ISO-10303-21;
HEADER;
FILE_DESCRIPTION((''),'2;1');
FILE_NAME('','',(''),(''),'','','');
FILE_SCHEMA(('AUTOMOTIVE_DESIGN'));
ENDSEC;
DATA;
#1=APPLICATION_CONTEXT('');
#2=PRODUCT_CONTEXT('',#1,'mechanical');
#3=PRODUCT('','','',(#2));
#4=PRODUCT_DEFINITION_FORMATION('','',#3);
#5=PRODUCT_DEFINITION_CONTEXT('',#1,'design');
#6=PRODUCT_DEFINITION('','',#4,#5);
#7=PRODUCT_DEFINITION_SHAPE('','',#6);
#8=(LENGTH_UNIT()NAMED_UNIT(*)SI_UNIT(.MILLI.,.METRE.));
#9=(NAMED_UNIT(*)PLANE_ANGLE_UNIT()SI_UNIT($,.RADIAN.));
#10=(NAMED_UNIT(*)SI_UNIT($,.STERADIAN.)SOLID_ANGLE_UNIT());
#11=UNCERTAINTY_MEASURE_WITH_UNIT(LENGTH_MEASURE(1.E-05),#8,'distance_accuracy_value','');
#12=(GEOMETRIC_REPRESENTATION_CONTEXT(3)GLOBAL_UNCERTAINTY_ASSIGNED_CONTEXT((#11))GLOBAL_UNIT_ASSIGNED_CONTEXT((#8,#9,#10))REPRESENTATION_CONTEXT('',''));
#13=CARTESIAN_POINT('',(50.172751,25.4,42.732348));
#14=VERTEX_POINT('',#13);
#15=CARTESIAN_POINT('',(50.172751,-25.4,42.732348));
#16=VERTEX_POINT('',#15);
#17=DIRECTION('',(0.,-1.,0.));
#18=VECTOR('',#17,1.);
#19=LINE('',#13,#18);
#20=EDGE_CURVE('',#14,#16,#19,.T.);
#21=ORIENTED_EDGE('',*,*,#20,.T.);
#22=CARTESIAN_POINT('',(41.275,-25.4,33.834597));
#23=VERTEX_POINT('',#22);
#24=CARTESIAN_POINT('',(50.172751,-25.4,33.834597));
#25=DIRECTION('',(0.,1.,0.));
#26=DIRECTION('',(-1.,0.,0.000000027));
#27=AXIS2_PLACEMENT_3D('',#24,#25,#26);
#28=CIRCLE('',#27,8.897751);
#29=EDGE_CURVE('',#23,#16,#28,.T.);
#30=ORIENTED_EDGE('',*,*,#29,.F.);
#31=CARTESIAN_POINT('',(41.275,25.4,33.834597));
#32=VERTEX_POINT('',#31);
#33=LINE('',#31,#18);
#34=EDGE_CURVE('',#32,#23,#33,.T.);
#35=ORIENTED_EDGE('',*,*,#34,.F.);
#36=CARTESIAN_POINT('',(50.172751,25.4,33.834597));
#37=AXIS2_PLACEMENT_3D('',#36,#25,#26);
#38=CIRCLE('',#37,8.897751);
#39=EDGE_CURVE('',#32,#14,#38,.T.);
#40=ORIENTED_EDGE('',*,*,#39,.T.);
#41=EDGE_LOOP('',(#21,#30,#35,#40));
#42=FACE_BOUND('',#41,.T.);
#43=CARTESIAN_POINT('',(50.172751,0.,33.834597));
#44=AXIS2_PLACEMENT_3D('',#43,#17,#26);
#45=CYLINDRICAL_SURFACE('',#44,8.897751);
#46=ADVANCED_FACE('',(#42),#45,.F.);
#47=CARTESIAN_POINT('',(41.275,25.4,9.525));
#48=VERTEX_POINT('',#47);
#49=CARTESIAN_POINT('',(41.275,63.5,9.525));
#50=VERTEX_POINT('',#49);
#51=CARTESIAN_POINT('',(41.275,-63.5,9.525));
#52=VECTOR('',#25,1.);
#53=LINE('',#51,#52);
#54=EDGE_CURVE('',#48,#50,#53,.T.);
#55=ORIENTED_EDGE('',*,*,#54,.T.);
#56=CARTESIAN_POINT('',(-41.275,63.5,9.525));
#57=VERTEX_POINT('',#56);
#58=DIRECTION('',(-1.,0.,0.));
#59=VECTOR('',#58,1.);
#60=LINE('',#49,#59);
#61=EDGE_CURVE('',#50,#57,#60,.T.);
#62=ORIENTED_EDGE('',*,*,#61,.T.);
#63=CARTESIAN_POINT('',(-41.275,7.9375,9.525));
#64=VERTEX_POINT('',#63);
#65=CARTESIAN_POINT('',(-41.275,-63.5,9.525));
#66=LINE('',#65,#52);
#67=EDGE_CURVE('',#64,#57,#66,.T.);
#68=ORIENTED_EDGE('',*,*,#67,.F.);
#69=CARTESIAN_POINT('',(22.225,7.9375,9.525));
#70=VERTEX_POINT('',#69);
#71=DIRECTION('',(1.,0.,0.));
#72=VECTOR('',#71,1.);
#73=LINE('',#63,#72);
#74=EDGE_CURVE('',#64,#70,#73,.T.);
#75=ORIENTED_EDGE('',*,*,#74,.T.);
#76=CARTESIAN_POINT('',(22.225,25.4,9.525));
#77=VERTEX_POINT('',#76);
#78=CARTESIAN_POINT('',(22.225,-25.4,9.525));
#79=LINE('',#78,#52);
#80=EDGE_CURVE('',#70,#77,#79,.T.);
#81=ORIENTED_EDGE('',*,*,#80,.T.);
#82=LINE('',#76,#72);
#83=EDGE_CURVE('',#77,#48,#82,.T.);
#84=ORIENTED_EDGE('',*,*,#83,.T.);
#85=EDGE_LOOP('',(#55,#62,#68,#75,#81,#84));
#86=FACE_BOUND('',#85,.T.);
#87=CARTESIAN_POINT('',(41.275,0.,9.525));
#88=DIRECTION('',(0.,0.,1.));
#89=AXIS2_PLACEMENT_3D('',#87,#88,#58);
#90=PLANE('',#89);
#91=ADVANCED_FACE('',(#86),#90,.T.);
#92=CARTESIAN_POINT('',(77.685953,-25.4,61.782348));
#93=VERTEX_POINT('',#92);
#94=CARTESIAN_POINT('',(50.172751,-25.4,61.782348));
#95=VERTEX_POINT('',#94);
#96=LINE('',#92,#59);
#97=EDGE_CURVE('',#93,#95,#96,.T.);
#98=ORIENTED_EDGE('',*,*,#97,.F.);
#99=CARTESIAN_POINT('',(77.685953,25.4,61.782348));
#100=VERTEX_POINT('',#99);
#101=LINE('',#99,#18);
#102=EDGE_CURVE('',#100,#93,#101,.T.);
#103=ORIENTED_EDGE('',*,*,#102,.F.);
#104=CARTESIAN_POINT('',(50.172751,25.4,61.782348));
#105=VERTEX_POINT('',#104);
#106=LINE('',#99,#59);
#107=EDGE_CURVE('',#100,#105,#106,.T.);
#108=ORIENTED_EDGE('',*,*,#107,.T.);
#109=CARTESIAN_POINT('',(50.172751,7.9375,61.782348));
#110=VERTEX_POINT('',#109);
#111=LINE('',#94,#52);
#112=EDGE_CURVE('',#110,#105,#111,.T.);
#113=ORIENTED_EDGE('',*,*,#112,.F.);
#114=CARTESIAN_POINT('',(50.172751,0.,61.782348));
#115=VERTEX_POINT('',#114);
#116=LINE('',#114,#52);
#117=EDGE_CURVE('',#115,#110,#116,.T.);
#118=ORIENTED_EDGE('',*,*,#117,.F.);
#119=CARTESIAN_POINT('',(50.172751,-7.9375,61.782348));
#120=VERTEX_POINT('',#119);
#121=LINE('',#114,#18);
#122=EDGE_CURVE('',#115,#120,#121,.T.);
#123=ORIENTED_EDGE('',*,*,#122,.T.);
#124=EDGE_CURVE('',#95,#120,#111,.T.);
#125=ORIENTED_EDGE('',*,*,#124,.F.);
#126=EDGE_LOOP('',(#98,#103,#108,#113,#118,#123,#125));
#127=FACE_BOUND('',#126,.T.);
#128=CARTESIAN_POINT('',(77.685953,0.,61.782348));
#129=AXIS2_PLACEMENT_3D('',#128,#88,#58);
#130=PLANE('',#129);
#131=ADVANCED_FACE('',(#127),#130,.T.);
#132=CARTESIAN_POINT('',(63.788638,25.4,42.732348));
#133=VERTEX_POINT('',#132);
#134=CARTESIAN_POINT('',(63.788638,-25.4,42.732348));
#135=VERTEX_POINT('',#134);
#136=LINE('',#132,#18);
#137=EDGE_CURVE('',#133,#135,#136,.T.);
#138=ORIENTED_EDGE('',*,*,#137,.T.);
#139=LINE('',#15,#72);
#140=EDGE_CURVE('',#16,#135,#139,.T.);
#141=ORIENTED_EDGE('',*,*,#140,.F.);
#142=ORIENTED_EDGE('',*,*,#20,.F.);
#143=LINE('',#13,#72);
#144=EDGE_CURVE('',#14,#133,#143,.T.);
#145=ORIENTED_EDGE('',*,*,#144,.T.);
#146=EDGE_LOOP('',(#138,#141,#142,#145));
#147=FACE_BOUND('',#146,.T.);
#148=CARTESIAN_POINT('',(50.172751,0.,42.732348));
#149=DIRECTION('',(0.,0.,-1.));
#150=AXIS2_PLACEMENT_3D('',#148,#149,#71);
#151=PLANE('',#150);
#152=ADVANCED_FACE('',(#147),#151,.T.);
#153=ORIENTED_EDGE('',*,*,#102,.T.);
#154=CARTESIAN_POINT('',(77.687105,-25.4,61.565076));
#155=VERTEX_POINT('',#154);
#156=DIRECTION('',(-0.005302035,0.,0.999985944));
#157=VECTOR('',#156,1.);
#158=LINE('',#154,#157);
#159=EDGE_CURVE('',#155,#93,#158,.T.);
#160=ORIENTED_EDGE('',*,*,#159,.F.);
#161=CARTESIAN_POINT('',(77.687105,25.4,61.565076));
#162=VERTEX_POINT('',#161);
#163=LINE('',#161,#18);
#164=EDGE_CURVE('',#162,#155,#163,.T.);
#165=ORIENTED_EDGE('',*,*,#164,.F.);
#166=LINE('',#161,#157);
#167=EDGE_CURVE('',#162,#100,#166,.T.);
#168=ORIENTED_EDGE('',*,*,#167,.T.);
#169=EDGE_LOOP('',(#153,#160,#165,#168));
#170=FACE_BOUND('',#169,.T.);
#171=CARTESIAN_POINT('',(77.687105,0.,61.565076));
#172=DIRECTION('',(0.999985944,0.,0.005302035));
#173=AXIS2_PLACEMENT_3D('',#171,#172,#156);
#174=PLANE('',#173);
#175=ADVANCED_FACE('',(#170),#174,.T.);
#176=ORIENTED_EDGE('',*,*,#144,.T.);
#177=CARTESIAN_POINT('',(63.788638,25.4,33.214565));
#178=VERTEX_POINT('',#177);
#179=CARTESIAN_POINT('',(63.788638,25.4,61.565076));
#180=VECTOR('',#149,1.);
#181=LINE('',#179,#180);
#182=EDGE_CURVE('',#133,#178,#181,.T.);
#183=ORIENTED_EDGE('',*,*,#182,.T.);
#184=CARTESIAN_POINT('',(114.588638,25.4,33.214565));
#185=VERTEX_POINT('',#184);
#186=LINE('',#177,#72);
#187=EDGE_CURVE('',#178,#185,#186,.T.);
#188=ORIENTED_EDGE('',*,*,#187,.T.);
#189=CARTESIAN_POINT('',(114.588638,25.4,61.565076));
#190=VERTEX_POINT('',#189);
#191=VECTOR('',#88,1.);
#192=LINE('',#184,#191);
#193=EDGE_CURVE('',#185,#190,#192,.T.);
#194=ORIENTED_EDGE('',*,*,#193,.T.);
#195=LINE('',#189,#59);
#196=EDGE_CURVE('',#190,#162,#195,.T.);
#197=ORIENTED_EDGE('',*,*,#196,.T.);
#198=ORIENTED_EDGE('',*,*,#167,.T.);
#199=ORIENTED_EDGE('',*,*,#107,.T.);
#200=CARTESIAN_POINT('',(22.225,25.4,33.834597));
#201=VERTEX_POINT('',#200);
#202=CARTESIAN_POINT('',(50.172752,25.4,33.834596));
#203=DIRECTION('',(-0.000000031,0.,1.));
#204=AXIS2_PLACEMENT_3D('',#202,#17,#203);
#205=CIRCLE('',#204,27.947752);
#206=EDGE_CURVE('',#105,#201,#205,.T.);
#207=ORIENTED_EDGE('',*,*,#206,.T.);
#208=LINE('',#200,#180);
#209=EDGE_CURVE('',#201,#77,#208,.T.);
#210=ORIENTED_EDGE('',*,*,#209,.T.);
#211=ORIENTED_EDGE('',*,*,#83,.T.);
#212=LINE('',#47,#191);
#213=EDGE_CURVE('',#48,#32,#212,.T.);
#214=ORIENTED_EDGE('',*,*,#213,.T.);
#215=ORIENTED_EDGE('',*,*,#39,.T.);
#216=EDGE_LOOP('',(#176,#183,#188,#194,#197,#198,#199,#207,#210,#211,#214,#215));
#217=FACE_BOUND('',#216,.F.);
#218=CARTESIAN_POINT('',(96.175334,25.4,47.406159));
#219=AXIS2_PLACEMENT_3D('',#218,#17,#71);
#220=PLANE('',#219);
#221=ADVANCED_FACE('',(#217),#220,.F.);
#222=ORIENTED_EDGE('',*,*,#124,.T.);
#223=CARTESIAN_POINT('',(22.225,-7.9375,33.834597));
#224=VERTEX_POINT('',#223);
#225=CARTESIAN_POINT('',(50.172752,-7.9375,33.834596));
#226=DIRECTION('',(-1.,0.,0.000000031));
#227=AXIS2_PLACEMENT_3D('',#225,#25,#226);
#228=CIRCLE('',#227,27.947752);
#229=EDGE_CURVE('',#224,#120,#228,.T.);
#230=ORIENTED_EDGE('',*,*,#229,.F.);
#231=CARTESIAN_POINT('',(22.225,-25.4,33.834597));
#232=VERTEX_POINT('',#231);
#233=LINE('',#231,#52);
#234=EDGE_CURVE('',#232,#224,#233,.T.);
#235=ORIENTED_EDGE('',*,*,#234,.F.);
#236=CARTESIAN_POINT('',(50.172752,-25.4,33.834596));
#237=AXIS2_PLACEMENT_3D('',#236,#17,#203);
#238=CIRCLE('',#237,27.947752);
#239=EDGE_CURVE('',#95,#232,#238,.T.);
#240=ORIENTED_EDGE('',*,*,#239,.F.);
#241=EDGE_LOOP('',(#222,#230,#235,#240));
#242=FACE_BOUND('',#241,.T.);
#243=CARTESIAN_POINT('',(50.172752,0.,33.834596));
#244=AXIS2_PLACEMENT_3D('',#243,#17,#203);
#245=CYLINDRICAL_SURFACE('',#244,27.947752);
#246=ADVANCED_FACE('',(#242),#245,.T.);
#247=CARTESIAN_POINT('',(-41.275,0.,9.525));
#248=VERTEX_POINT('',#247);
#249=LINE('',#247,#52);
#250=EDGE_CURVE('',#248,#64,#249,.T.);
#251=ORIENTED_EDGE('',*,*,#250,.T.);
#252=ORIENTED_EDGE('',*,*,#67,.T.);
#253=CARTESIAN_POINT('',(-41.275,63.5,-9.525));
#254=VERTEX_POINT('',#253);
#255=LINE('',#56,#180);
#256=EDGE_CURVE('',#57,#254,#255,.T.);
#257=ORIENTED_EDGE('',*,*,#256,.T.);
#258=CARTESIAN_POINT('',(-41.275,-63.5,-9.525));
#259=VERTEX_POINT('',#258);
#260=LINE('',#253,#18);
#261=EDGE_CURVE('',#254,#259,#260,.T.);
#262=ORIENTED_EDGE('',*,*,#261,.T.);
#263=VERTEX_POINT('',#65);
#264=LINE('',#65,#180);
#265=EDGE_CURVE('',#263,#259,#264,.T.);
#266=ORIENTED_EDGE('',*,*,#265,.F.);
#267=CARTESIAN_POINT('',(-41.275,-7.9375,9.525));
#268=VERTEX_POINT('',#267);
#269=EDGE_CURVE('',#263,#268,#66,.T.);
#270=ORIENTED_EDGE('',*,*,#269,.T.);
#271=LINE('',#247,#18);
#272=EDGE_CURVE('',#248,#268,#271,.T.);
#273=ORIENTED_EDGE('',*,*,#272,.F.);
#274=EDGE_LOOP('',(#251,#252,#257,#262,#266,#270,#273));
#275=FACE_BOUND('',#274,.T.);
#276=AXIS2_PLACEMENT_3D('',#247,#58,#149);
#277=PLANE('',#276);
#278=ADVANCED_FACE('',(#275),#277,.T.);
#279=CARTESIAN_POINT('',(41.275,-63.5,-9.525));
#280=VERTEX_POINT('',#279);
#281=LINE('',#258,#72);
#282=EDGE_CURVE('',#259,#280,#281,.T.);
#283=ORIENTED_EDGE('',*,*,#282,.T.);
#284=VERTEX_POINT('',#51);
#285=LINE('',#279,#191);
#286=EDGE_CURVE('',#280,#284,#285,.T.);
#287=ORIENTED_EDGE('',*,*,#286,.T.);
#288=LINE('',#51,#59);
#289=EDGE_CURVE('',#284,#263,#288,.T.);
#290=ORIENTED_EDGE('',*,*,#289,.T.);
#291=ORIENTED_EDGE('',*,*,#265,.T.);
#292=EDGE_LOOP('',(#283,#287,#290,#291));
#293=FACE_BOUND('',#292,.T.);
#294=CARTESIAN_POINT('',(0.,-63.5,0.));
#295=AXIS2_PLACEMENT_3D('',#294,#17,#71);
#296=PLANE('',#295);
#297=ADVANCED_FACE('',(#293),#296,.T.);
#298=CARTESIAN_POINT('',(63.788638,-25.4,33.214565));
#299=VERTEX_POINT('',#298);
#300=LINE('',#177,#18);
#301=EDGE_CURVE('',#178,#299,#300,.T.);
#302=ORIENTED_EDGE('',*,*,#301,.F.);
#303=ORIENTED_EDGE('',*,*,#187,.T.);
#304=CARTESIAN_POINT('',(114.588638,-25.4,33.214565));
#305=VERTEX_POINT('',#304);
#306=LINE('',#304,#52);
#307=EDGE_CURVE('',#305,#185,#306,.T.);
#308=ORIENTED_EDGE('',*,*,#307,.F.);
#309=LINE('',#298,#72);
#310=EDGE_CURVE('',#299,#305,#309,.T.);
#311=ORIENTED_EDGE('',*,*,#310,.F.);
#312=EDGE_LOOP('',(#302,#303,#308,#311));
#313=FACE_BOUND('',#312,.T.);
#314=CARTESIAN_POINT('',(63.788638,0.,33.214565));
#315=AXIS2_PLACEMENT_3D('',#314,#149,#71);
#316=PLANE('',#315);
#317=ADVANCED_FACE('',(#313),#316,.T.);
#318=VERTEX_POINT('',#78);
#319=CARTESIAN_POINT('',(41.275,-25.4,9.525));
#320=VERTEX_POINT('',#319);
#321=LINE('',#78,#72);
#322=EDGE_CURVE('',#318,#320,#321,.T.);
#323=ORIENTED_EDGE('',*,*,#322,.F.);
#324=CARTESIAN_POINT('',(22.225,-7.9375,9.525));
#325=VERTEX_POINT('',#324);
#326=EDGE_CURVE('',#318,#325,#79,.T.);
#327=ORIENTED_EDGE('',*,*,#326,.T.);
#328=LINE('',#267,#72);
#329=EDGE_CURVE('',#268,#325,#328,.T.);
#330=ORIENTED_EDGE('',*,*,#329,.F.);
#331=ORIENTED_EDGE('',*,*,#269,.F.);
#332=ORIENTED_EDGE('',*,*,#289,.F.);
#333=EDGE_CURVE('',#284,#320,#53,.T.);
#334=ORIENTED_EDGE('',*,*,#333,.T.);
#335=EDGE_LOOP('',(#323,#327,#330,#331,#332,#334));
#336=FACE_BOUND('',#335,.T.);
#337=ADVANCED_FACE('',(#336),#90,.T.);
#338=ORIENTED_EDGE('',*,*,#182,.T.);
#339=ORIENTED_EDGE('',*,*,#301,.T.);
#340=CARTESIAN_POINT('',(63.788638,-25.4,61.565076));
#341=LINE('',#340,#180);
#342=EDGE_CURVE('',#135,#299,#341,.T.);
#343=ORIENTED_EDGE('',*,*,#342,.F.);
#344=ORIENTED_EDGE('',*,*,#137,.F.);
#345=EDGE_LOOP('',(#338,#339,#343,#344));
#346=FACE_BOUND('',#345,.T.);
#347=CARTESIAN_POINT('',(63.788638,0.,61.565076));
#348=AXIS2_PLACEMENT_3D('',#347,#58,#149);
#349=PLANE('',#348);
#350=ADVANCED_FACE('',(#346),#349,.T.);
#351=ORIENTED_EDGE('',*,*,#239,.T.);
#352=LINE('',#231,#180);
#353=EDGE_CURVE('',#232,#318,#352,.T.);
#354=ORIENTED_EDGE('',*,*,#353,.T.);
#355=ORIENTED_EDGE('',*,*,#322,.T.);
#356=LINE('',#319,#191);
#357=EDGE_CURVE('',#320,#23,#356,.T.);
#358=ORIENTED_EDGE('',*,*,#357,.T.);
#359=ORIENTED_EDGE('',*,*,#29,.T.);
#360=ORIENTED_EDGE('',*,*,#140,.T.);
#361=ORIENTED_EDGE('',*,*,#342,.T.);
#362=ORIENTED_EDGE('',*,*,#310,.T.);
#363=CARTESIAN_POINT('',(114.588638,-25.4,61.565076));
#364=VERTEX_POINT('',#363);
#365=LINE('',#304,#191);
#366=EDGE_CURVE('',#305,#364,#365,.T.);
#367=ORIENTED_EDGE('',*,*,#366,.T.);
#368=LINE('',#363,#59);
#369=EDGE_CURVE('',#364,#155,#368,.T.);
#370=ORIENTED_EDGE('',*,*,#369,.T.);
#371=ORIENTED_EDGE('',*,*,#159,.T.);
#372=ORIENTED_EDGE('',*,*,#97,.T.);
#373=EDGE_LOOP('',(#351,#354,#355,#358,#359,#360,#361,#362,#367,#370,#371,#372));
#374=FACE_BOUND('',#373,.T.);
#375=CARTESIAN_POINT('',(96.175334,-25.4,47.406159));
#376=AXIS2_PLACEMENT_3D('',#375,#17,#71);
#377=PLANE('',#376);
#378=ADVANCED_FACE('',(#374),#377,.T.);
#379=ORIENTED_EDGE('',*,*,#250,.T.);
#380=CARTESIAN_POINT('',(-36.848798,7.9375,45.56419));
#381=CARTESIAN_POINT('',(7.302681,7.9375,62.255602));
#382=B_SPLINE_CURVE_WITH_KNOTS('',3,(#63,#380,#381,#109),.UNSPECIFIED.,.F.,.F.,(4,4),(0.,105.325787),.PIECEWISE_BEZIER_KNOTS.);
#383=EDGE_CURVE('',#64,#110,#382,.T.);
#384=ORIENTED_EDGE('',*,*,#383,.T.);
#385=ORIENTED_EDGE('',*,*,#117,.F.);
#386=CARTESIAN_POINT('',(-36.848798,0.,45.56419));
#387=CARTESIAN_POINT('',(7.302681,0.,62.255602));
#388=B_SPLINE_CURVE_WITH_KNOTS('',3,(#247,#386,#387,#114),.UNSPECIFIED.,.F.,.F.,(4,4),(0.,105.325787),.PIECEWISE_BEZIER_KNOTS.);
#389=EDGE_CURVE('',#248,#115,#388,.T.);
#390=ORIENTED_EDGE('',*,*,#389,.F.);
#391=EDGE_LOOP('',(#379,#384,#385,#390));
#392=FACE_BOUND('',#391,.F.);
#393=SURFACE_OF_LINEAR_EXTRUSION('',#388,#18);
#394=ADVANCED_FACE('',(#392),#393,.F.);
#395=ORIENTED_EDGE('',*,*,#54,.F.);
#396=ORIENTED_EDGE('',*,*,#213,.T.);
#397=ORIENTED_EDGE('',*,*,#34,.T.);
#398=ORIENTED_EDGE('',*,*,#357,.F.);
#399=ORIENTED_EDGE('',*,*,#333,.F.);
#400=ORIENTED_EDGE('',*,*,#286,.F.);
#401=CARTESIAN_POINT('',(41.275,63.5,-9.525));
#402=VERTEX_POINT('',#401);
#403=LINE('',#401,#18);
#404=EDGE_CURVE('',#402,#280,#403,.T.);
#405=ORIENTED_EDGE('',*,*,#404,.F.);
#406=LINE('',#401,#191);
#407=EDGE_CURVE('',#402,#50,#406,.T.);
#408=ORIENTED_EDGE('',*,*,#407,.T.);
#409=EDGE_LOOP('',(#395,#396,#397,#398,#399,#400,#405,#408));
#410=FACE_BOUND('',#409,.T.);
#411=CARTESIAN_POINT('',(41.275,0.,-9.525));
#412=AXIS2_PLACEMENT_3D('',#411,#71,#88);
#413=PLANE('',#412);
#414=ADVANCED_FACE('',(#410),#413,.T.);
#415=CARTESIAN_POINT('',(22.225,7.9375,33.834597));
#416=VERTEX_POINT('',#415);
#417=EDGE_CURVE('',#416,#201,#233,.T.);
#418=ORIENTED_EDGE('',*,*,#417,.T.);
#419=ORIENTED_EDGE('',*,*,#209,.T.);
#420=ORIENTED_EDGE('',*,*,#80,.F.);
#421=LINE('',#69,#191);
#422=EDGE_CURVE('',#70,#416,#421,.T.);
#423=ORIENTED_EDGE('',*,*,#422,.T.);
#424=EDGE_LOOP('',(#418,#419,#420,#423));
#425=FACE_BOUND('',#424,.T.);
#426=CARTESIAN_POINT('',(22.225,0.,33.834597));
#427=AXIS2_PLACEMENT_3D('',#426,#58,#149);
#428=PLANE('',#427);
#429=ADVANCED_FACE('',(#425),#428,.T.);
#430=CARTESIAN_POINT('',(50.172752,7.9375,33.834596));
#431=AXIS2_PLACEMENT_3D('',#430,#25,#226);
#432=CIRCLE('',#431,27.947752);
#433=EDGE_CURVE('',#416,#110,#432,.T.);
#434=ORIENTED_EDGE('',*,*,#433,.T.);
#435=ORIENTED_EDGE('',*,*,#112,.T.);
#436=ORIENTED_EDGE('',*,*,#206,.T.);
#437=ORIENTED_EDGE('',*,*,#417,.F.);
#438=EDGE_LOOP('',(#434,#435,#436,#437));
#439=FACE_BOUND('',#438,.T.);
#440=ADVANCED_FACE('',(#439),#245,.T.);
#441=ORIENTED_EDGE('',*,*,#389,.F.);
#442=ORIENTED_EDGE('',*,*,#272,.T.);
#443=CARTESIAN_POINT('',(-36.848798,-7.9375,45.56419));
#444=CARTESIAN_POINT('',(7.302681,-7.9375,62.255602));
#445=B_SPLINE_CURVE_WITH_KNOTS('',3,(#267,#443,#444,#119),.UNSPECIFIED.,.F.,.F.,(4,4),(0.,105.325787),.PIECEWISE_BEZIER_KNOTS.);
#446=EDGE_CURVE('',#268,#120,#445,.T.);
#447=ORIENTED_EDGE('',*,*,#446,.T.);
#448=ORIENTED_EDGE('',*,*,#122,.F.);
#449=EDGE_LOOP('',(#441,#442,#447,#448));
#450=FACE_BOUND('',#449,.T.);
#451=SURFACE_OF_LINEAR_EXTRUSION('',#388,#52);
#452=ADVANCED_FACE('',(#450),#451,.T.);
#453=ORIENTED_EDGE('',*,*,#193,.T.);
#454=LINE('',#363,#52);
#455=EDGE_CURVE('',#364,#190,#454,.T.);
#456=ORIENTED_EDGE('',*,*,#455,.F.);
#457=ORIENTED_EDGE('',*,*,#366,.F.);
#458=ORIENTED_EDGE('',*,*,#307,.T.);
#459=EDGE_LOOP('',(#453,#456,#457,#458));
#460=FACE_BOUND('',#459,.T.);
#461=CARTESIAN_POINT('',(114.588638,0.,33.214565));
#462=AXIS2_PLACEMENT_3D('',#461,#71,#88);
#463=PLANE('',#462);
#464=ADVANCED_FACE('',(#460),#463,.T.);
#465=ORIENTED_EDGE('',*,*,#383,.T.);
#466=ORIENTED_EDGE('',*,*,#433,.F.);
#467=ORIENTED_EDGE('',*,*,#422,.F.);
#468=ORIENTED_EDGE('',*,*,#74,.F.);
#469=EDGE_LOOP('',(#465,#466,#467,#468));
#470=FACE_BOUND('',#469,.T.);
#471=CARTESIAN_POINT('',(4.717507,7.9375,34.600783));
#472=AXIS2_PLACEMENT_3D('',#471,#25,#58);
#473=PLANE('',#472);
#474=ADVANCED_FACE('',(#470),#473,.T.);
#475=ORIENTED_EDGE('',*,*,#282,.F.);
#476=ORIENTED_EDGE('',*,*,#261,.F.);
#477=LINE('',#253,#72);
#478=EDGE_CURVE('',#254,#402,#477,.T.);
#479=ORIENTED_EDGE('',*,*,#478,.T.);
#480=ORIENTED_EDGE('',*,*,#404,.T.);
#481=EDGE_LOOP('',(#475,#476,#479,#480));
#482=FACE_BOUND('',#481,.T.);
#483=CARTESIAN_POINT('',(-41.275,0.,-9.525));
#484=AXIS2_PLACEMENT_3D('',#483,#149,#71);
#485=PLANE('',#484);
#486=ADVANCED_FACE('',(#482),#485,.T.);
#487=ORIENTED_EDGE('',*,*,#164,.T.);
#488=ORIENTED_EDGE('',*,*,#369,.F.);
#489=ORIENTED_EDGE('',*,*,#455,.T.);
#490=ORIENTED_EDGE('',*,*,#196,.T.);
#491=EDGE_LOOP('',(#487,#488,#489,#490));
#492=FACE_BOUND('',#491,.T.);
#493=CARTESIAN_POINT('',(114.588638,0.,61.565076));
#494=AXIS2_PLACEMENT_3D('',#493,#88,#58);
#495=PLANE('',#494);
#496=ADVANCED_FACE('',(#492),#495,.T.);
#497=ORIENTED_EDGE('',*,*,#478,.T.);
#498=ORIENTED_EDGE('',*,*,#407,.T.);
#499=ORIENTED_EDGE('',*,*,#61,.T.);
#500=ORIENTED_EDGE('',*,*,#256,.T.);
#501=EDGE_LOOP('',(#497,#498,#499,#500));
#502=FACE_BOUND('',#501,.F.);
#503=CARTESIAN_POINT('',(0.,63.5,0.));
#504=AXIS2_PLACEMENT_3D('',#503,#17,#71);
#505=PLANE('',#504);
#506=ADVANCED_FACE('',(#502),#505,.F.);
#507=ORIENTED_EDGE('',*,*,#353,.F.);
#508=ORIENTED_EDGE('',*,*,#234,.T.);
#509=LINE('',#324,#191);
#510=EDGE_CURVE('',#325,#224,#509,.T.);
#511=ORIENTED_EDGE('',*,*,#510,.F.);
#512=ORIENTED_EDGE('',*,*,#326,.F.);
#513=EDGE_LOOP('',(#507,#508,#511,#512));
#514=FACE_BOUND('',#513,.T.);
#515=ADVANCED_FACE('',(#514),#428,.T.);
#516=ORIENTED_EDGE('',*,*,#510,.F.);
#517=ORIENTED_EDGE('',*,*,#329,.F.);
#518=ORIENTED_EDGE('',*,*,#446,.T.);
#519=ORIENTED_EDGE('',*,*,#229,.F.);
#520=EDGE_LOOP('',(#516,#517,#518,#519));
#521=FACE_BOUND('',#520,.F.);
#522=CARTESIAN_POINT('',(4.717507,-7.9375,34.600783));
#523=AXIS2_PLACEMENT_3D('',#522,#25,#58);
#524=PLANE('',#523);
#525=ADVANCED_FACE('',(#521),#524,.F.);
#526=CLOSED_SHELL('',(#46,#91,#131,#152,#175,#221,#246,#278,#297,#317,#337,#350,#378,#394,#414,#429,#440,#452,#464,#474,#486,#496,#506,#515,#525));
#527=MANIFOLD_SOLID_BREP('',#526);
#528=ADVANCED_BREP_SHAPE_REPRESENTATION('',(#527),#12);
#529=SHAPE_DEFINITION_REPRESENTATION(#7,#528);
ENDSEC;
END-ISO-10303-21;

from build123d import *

# Parameters (mm, degrees)
F1_DEPTH = 63.5
F2_DEPTH = 25.4
F3_DEPTH = 7.9375
F4_DEPTH = 25.4


with BuildPart() as f1:
    # F0 (on Front) → F1 (new body, symmetric)
    with BuildSketch(Plane.XZ):
        Polygon((-41.275, 9.525), (-41.275, -9.525), (41.275, -9.525), (41.275, 9.525), (22.225, 9.525), align=None)
    extrude(amount=F1_DEPTH, both=True)

    # F0 (on Front) → F2 (join, symmetric)
    with BuildSketch(Plane.XZ):
        with BuildLine():
            Line((22.225, 9.525), (41.275, 9.525))
            Line((41.275, 9.525), (41.275, 33.834597))
            ThreePointArc((41.275, 33.834597), (43.881091, 40.126257), (50.172751, 42.732348))
            Line((50.172751, 42.732348), (63.788638, 42.732348))
            Line((63.788638, 42.732348), (63.788638, 61.565076))
            Line((63.788638, 61.565076), (77.687105, 61.565076))
            Line((77.687105, 61.565076), (77.685953, 61.782348))
            Line((77.685953, 61.782348), (50.172751, 61.782348))
            ThreePointArc((50.172751, 61.782348), (30.410707, 53.596641), (22.225, 33.834597))
            Line((22.225, 33.834597), (22.225, 9.525))
        make_face()
    extrude(amount=F2_DEPTH, both=True)

    # F0 (on Front) → F3 (join, symmetric)
    with BuildSketch(Plane.XZ):
        with BuildLine():
            add(Edge.make_bspline(
                [(-41.275, 9.525), (-36.848798, 45.56419), (7.302681, 62.255602), (50.172751, 61.782348)],
                knots=[0, 0, 0, 0, 105.325787, 105.325787, 105.325787, 105.325787], degree=3))
            Line((-41.275, 9.525), (22.225, 9.525))
            Line((22.225, 9.525), (22.225, 33.834597))
            ThreePointArc((22.225, 33.834597), (30.410707, 53.596641), (50.172751, 61.782348))
        make_face()
    extrude(amount=F3_DEPTH, both=True)

    # F0 (on Front) → F4 (join, symmetric)
    with BuildSketch(Plane.XZ):
        Polygon((114.588638, 61.565076), (77.687105, 61.565076), (77.837355, 33.214565), (114.588638, 33.214565), align=None)
        Polygon((77.837355, 33.214565), (77.687105, 61.565076), (63.788638, 61.565076), (63.788638, 42.732348), (63.788638, 33.214565), align=None)
    extrude(amount=F4_DEPTH, both=True)


solid = f1.part
